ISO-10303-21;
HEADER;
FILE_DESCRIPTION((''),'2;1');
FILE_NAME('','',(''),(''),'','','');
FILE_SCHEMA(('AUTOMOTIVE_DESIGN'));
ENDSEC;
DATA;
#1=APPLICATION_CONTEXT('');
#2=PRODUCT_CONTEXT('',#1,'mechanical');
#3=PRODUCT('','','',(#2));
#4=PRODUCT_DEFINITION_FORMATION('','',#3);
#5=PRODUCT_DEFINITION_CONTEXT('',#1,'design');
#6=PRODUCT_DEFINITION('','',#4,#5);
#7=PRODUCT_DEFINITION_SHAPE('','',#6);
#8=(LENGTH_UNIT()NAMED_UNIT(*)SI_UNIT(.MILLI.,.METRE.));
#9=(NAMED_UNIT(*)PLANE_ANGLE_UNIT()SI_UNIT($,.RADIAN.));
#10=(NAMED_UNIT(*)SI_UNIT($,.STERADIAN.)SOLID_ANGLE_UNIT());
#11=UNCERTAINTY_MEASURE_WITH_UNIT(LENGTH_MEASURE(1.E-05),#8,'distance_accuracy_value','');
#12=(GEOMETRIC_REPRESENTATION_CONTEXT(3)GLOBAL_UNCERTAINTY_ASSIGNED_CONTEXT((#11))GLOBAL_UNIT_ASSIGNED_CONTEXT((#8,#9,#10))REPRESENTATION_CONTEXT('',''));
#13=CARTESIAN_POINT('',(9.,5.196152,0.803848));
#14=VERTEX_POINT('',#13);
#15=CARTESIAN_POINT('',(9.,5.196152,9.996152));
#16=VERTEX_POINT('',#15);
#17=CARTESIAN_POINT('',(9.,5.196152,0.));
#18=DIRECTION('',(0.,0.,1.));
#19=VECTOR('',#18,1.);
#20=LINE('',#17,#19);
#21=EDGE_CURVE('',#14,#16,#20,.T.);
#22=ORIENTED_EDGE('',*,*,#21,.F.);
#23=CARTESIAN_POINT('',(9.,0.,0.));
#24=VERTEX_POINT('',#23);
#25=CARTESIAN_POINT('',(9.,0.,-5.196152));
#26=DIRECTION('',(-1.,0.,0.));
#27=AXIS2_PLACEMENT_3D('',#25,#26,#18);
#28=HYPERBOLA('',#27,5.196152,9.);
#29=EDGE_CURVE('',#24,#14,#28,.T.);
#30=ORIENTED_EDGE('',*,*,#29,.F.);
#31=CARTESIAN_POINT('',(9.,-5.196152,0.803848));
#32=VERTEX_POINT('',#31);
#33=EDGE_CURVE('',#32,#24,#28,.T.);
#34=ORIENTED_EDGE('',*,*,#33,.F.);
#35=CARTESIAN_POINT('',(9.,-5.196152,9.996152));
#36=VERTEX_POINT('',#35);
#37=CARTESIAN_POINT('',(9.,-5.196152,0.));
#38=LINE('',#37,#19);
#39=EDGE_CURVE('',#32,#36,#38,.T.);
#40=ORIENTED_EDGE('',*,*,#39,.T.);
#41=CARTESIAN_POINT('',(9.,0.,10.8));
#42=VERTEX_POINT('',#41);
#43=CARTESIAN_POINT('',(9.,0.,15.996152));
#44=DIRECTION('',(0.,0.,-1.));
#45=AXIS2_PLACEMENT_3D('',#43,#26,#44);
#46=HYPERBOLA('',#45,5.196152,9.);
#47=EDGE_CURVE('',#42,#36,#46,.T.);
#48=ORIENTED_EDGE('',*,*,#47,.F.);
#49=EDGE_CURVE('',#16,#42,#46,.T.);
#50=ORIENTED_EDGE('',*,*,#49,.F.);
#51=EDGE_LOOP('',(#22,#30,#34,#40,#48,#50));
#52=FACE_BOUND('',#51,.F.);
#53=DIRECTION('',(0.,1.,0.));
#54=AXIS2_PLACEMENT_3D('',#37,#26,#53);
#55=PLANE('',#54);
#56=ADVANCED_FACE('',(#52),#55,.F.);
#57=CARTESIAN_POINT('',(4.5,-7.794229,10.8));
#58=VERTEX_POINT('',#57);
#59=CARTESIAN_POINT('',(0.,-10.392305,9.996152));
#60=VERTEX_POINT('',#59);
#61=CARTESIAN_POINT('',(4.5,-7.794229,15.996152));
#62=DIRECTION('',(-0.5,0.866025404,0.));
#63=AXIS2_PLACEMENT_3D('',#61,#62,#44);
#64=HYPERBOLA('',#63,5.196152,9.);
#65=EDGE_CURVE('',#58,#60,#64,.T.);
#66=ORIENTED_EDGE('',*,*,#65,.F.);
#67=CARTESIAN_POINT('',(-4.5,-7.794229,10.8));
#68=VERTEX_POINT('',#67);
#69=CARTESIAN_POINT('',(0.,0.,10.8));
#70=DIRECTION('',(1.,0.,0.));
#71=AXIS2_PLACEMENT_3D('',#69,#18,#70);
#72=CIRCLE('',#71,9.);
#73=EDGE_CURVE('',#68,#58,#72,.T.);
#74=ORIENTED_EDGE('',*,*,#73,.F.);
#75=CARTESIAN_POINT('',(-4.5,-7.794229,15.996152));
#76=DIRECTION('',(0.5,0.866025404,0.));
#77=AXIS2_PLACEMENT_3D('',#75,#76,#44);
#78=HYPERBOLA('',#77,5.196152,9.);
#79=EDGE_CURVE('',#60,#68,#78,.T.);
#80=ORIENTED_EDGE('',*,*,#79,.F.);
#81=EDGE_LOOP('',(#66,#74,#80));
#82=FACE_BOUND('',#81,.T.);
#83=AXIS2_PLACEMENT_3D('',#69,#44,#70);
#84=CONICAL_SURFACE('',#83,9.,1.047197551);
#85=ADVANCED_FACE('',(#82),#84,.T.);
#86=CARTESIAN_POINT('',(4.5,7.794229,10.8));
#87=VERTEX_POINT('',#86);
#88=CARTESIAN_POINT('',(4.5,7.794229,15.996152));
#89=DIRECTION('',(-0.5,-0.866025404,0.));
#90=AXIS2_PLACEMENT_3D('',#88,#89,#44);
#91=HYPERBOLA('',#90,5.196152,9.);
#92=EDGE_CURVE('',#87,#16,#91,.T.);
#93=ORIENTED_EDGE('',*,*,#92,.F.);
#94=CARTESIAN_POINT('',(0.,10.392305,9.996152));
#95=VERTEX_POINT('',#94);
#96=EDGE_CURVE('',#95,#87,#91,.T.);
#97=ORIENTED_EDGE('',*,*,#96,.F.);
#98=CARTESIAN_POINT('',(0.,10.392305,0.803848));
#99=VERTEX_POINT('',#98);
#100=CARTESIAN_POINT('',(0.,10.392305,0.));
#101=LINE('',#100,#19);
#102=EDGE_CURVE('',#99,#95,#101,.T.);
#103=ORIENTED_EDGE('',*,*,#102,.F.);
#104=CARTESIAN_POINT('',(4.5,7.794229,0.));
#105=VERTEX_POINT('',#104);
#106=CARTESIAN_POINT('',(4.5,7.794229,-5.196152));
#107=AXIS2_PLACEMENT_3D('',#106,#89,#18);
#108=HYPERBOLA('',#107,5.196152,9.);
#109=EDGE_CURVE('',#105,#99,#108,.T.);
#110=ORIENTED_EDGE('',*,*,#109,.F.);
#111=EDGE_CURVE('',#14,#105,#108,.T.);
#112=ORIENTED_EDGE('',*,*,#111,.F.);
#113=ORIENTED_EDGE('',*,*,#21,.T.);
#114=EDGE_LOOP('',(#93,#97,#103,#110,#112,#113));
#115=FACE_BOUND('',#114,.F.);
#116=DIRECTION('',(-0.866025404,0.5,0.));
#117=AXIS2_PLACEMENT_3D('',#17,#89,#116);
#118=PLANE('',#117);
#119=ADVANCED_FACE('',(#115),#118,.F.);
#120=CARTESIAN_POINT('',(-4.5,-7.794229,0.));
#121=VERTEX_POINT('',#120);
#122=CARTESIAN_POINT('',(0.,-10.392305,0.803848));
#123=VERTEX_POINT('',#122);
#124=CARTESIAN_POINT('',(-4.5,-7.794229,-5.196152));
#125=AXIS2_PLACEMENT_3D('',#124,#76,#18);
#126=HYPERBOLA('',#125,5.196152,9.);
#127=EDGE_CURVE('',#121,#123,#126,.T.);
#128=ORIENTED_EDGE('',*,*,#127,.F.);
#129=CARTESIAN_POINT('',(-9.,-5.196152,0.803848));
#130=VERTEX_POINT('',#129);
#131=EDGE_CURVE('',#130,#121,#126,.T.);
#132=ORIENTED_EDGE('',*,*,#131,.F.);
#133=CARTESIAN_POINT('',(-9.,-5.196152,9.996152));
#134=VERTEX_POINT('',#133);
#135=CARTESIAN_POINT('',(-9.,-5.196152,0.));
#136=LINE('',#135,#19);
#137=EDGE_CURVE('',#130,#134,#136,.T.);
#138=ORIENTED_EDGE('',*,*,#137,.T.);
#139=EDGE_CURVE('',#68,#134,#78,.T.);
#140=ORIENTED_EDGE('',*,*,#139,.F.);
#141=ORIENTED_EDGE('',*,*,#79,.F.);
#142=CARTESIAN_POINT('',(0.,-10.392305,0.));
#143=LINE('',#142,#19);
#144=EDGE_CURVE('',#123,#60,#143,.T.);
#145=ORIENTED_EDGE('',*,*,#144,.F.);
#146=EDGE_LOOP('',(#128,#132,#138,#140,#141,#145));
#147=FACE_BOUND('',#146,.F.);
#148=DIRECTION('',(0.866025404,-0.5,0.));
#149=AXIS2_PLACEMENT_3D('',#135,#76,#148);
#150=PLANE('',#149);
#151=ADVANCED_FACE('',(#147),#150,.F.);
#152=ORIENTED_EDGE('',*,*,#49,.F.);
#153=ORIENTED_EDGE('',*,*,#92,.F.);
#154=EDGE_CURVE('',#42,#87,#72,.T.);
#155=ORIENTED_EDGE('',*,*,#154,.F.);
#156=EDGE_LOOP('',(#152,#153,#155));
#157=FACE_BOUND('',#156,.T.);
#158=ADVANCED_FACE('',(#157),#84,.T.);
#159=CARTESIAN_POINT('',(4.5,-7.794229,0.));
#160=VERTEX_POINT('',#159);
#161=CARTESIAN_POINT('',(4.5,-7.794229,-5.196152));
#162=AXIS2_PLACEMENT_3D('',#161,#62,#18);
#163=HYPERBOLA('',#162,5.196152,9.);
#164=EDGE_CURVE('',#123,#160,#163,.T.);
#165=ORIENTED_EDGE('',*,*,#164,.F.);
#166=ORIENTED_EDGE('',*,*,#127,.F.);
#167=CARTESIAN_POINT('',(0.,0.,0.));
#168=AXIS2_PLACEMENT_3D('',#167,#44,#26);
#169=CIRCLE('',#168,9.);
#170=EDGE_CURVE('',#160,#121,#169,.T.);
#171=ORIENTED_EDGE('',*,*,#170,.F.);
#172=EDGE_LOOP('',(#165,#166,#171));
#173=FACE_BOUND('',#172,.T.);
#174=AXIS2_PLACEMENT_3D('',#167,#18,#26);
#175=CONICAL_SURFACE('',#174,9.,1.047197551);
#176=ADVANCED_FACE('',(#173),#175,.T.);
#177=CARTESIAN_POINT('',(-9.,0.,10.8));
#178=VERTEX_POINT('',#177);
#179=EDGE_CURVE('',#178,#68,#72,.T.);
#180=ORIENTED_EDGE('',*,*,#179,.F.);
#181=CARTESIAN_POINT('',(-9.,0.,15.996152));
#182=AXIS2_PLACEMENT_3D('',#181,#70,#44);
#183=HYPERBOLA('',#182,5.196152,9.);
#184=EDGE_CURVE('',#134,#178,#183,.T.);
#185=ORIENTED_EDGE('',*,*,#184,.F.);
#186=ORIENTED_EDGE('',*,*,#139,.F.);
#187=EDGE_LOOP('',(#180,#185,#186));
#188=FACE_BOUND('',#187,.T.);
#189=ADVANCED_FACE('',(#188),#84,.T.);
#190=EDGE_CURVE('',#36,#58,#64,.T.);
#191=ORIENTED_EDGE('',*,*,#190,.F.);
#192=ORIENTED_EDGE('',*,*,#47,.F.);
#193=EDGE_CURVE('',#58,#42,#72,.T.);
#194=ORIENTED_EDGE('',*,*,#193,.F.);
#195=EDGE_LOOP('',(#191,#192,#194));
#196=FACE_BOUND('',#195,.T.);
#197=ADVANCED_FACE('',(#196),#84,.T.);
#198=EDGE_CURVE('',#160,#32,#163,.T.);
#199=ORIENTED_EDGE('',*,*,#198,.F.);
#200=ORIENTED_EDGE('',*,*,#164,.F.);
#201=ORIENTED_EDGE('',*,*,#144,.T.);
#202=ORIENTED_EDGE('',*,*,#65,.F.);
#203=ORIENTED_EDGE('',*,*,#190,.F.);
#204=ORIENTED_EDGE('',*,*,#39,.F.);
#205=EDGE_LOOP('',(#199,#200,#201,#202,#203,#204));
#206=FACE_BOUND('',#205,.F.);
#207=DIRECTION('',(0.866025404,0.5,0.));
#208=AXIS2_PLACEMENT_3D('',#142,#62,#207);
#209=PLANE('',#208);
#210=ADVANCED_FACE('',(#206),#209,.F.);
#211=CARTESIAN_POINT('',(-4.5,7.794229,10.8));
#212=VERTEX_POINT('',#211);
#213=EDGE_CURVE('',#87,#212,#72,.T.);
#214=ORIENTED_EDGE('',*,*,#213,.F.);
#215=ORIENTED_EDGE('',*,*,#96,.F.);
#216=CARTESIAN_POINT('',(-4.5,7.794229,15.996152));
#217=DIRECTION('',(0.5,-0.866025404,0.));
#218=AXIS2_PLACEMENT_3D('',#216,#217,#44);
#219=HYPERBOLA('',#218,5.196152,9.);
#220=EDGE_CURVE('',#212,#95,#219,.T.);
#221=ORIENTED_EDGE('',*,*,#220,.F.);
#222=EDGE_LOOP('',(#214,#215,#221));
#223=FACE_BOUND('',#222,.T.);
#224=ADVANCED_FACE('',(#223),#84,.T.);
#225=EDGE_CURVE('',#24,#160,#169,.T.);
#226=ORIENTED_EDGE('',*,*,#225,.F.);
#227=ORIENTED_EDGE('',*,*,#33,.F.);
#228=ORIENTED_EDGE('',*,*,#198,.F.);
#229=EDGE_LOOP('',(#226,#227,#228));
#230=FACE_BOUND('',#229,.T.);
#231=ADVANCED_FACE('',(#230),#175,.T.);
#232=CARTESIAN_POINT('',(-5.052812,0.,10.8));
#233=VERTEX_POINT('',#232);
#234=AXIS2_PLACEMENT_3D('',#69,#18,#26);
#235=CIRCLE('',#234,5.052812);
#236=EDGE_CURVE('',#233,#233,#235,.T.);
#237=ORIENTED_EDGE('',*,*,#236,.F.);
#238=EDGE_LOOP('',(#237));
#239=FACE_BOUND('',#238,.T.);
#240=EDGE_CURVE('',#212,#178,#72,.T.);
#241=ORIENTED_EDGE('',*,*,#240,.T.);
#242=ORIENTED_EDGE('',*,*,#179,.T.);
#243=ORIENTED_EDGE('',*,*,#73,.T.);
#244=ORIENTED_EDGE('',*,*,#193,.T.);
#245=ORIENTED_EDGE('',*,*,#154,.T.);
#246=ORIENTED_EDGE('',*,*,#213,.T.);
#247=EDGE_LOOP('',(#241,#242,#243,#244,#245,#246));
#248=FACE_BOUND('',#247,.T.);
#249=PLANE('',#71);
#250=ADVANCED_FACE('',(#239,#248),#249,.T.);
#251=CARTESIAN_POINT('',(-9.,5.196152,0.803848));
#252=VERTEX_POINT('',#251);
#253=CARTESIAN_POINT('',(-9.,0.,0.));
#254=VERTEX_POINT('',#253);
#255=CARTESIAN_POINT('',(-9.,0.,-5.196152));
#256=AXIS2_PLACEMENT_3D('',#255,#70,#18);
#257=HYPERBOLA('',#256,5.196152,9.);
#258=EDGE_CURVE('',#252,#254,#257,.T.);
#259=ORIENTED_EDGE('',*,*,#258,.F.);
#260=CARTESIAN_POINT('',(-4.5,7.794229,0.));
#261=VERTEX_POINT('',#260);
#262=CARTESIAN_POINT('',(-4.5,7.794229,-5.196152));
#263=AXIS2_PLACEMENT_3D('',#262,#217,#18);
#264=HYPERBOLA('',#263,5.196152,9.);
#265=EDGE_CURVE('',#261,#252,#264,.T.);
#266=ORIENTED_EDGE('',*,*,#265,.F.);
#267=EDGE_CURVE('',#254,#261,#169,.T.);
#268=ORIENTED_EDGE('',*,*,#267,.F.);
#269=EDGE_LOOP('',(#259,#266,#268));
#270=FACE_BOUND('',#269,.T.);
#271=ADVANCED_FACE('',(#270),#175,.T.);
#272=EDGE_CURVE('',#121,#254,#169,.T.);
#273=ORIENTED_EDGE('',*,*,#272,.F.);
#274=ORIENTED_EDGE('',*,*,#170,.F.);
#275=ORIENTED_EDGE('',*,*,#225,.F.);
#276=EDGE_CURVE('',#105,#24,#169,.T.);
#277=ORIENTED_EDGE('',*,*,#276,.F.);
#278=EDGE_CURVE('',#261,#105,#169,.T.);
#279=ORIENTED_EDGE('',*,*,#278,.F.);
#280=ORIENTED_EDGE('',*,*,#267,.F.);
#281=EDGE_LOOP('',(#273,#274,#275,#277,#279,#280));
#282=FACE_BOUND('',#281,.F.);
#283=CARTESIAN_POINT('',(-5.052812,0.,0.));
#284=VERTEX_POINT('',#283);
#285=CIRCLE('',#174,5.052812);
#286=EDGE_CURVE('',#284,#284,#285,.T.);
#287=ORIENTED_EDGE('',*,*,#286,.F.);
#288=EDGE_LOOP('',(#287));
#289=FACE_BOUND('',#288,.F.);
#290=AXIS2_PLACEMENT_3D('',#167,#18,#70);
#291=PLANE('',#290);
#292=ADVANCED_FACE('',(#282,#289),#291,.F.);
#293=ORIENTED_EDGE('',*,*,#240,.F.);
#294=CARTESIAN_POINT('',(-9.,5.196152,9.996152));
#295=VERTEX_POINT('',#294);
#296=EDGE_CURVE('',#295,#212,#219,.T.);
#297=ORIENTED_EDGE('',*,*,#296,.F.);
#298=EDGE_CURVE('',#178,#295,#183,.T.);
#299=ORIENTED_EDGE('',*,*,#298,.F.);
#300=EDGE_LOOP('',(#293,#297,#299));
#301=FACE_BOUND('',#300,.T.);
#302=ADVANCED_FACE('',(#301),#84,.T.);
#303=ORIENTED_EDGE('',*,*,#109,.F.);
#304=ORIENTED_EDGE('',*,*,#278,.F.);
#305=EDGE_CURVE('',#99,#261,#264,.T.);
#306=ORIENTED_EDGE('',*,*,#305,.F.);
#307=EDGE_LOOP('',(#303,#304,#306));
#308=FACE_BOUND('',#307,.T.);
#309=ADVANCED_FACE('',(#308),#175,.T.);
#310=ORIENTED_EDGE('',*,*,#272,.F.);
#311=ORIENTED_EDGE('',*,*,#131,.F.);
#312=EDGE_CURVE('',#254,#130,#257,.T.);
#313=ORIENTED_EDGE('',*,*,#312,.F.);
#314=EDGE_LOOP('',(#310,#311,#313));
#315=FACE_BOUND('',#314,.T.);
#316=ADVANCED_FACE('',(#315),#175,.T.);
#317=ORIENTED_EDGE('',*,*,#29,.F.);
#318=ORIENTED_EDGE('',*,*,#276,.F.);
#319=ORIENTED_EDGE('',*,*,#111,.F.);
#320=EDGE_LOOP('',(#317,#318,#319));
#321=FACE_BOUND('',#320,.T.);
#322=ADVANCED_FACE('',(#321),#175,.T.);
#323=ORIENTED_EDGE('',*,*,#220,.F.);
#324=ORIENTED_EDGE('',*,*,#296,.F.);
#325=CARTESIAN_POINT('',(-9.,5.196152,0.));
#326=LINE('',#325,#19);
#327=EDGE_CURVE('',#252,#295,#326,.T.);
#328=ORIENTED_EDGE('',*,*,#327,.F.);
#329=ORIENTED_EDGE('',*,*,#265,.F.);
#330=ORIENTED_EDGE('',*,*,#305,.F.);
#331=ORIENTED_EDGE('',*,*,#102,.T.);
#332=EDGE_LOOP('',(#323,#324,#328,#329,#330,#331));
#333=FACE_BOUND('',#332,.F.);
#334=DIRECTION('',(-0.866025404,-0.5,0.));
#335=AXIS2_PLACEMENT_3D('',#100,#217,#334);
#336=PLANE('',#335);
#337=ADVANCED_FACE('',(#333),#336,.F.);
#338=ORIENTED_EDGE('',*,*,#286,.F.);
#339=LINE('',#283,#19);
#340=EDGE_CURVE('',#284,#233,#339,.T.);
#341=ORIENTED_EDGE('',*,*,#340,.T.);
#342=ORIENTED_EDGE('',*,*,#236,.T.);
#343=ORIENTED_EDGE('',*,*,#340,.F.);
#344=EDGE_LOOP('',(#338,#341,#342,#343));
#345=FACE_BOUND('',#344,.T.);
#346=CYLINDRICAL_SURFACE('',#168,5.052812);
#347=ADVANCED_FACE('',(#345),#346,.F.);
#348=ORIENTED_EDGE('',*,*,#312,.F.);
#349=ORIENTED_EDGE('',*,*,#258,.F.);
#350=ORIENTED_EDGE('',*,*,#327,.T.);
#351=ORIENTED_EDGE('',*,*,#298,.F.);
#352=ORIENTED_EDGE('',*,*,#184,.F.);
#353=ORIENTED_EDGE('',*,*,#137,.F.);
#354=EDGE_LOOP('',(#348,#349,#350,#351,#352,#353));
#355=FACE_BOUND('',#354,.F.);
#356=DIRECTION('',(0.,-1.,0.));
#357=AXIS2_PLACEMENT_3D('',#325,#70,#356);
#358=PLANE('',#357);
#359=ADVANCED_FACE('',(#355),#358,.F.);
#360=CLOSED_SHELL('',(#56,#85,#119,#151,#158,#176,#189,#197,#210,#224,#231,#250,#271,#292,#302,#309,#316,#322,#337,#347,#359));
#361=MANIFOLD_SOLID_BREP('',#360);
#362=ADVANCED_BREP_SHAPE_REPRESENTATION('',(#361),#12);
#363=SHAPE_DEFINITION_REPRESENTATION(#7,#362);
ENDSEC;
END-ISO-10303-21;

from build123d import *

# Parameters (mm, degrees)
SKETCH_1_R          = 5.0528125
EXTRUDE_597_DEPTH   = 10.8
SKETCH_2_OUTSIDE_W  = 89.934
SKETCH_2_OUTSIDE_H  = 92.718
SKETCH_2_OUTSIDE_R  = 9
CUT_EXTRUDE_1_DEPTH = 18.482562741
CUT_EXTRUDE_1_DRAFT = -60
SKETCH_3_OUTSIDE_W  = 89.934
SKETCH_3_OUTSIDE_H  = 92.718
SKETCH_3_OUTSIDE_R  = 9
CUT_EXTRUDE_2_DEPTH = 18.482562741
CUT_EXTRUDE_2_DRAFT = -60


with BuildPart() as part:
    # 草图1 → Extrude 597 (new body)
    with BuildSketch(Plane.XY):
        Polygon((0, 10.392304845), (-9, 5.196152423), (-9, -5.196152423), (0, -10.392304845), (9, -5.196152423), (9, 5.196152423), align=None)
        with Locations(Location((0, 0, 0), (0, 0, 180))):
            Circle(SKETCH_1_R, mode=Mode.SUBTRACT)
    extrude(amount=EXTRUDE_597_DEPTH)


with BuildPart() as cut_extrude_1_tool:
    # 草图2 outside → 切除-拉伸1 (with draft: the straight prism first)
    with BuildSketch(Plane(origin=(0, 0, 0), x_dir=(-1, 0, 0), z_dir=(0, 0, -1))):
        Rectangle(SKETCH_2_OUTSIDE_W, SKETCH_2_OUTSIDE_H)
        Circle(SKETCH_2_OUTSIDE_R, mode=Mode.SUBTRACT)
    extrude(amount=-CUT_EXTRUDE_1_DEPTH)
    # 切除-拉伸1: the draft: its side faces are tilted about the plane it starts from
    cut_extrude_1_sides = [cut_extrude_1_tool.faces().sort_by_distance(p)[0] for p in [
        (0, -46.359, 9.241281371),
        (-44.967, 0, 9.241281371),
        (0, 46.359, 9.241281371),
        (44.967, 0, 9.241281371),
        (9, 0, 9.241281371),
    ]]
    draft(cut_extrude_1_sides, Plane(origin=(0, 0, 0), x_dir=(-1, 0, 0), z_dir=(0, 0, -1)), CUT_EXTRUDE_1_DRAFT)


with BuildPart() as part_1:
    add(part.part)

    # 切除-拉伸1: cut by cut_extrude_1_tool
    add(cut_extrude_1_tool.part, mode=Mode.SUBTRACT)


with BuildPart() as cut_extrude_2_tool:
    # 草图3 outside → 切除-拉伸2 (with draft: the straight prism first)
    with BuildSketch(Plane.XY.offset(10.8)):
        Rectangle(SKETCH_3_OUTSIDE_W, SKETCH_3_OUTSIDE_H)
        Circle(SKETCH_3_OUTSIDE_R, mode=Mode.SUBTRACT)
    extrude(amount=-CUT_EXTRUDE_2_DEPTH)
    # 切除-拉伸2: the draft: its side faces are tilted about the plane it starts from
    cut_extrude_2_sides = [cut_extrude_2_tool.faces().sort_by_distance(p)[0] for p in [
        (0, -46.359, 1.558718629),
        (44.967, 0, 1.558718629),
        (0, 46.359, 1.558718629),
        (-44.967, 0, 1.558718629),
        (-9, 0, 1.558718629),
    ]]
    draft(cut_extrude_2_sides, Plane.XY.offset(10.8), CUT_EXTRUDE_2_DRAFT)


with BuildPart() as part_2:
    add(part_1.part)

    # 切除-拉伸2: cut by cut_extrude_2_tool
    add(cut_extrude_2_tool.part, mode=Mode.SUBTRACT)


solid = part_2.part
